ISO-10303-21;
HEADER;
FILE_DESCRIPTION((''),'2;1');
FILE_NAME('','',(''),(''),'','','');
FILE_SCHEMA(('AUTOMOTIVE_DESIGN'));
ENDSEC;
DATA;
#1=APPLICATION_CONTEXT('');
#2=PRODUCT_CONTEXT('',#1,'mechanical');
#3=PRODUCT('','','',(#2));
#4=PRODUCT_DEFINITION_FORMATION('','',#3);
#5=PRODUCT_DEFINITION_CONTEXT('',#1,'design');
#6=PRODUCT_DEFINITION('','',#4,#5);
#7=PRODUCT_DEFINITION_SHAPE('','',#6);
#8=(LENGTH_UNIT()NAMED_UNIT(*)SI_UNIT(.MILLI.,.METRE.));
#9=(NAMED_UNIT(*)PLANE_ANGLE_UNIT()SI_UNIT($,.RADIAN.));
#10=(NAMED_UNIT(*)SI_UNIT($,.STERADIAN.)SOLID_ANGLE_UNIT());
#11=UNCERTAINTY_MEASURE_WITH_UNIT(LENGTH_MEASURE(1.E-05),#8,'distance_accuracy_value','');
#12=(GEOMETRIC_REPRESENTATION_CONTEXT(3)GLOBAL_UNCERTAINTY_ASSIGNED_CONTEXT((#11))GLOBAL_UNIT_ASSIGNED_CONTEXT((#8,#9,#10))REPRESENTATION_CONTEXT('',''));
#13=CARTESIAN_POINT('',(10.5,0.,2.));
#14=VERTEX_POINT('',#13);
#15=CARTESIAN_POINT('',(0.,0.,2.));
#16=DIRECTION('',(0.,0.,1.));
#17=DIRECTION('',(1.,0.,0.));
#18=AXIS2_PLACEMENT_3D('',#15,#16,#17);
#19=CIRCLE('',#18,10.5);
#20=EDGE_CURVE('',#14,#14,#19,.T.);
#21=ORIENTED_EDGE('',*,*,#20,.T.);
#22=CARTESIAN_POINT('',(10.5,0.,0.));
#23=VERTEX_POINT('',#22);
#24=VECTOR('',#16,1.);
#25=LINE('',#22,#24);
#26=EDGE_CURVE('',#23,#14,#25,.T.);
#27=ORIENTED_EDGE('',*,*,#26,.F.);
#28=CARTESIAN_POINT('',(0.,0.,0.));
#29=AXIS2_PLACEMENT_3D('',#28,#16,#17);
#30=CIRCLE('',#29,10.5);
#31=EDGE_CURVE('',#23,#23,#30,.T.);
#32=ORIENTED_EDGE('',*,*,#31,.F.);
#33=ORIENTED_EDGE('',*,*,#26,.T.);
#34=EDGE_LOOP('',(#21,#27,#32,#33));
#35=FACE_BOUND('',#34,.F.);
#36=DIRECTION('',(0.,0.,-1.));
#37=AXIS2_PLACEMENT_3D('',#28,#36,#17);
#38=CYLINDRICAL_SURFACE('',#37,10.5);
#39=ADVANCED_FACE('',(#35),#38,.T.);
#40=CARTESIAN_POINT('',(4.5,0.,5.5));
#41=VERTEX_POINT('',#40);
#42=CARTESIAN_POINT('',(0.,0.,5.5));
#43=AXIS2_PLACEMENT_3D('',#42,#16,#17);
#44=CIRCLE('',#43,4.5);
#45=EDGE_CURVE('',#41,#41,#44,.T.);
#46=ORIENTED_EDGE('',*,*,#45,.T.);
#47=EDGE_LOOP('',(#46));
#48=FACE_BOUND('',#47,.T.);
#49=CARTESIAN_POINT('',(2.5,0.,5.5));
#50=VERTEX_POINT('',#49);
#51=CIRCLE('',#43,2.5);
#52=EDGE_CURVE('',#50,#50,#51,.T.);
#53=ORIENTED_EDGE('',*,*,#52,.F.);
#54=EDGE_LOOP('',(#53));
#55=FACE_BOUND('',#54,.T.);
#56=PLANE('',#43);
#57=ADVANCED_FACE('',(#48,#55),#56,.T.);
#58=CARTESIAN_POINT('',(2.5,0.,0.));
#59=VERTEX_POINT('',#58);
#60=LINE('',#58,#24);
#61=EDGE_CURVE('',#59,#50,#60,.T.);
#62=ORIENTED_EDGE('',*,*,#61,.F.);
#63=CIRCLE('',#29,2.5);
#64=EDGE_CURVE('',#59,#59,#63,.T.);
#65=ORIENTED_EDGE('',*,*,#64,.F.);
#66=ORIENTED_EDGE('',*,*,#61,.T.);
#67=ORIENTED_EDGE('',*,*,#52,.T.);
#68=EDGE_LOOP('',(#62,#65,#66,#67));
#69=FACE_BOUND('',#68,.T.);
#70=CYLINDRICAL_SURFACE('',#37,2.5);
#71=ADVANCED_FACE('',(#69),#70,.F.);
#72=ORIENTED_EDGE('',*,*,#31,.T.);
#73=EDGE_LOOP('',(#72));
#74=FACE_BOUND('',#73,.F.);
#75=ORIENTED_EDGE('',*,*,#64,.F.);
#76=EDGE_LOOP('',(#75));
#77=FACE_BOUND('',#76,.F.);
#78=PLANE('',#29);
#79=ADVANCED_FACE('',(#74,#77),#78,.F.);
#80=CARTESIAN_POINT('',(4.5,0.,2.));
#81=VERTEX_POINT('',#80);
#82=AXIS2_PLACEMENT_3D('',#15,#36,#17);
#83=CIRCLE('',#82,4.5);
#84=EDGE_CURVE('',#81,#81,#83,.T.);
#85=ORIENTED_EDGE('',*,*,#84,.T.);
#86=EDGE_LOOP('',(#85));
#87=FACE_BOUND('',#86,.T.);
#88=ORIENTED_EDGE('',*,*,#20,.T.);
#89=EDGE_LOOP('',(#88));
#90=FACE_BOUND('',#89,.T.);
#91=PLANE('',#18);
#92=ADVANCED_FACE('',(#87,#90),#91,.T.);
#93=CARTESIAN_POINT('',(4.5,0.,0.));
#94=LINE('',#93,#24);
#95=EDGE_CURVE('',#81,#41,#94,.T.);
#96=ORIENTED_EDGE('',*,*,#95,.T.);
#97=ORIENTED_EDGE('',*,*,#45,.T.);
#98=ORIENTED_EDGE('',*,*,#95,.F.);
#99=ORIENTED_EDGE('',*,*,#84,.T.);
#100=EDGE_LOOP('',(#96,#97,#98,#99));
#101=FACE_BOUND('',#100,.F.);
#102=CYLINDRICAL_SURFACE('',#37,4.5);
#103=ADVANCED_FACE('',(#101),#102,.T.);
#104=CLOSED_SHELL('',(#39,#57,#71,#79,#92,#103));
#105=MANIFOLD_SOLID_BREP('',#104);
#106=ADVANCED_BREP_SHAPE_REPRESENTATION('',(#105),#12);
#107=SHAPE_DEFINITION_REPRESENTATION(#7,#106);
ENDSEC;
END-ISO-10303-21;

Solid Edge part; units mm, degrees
sketch "Sketch1" plane through (0, 0, 0) normal (0, 0, 1) x (1, 0, 0)
  circle A0 centre (0, 0) radius 10.5
  circle A1 centre (0, 0) radius 2.5
  dimension "D1" = 9
  dimension "D2" = 21
  dimension "D3" = 5
extrude "Protrusion1" add sketch "Sketch1" along normal blind 2
sketch "Sketch2" plane through (0, 0, 0) normal (0, 0, 1) x (1, 0, 0)
  circle A0 centre (0, 0) radius 4.5
  circle A1 centre (0, 0) radius 2.5
  dimension "D1" = 9
  dimension "D2" = 21
  dimension "D3" = 5
extrude "ProtrusiónExtruida_3" add sketch "Sketch2" along normal blind 5.5
